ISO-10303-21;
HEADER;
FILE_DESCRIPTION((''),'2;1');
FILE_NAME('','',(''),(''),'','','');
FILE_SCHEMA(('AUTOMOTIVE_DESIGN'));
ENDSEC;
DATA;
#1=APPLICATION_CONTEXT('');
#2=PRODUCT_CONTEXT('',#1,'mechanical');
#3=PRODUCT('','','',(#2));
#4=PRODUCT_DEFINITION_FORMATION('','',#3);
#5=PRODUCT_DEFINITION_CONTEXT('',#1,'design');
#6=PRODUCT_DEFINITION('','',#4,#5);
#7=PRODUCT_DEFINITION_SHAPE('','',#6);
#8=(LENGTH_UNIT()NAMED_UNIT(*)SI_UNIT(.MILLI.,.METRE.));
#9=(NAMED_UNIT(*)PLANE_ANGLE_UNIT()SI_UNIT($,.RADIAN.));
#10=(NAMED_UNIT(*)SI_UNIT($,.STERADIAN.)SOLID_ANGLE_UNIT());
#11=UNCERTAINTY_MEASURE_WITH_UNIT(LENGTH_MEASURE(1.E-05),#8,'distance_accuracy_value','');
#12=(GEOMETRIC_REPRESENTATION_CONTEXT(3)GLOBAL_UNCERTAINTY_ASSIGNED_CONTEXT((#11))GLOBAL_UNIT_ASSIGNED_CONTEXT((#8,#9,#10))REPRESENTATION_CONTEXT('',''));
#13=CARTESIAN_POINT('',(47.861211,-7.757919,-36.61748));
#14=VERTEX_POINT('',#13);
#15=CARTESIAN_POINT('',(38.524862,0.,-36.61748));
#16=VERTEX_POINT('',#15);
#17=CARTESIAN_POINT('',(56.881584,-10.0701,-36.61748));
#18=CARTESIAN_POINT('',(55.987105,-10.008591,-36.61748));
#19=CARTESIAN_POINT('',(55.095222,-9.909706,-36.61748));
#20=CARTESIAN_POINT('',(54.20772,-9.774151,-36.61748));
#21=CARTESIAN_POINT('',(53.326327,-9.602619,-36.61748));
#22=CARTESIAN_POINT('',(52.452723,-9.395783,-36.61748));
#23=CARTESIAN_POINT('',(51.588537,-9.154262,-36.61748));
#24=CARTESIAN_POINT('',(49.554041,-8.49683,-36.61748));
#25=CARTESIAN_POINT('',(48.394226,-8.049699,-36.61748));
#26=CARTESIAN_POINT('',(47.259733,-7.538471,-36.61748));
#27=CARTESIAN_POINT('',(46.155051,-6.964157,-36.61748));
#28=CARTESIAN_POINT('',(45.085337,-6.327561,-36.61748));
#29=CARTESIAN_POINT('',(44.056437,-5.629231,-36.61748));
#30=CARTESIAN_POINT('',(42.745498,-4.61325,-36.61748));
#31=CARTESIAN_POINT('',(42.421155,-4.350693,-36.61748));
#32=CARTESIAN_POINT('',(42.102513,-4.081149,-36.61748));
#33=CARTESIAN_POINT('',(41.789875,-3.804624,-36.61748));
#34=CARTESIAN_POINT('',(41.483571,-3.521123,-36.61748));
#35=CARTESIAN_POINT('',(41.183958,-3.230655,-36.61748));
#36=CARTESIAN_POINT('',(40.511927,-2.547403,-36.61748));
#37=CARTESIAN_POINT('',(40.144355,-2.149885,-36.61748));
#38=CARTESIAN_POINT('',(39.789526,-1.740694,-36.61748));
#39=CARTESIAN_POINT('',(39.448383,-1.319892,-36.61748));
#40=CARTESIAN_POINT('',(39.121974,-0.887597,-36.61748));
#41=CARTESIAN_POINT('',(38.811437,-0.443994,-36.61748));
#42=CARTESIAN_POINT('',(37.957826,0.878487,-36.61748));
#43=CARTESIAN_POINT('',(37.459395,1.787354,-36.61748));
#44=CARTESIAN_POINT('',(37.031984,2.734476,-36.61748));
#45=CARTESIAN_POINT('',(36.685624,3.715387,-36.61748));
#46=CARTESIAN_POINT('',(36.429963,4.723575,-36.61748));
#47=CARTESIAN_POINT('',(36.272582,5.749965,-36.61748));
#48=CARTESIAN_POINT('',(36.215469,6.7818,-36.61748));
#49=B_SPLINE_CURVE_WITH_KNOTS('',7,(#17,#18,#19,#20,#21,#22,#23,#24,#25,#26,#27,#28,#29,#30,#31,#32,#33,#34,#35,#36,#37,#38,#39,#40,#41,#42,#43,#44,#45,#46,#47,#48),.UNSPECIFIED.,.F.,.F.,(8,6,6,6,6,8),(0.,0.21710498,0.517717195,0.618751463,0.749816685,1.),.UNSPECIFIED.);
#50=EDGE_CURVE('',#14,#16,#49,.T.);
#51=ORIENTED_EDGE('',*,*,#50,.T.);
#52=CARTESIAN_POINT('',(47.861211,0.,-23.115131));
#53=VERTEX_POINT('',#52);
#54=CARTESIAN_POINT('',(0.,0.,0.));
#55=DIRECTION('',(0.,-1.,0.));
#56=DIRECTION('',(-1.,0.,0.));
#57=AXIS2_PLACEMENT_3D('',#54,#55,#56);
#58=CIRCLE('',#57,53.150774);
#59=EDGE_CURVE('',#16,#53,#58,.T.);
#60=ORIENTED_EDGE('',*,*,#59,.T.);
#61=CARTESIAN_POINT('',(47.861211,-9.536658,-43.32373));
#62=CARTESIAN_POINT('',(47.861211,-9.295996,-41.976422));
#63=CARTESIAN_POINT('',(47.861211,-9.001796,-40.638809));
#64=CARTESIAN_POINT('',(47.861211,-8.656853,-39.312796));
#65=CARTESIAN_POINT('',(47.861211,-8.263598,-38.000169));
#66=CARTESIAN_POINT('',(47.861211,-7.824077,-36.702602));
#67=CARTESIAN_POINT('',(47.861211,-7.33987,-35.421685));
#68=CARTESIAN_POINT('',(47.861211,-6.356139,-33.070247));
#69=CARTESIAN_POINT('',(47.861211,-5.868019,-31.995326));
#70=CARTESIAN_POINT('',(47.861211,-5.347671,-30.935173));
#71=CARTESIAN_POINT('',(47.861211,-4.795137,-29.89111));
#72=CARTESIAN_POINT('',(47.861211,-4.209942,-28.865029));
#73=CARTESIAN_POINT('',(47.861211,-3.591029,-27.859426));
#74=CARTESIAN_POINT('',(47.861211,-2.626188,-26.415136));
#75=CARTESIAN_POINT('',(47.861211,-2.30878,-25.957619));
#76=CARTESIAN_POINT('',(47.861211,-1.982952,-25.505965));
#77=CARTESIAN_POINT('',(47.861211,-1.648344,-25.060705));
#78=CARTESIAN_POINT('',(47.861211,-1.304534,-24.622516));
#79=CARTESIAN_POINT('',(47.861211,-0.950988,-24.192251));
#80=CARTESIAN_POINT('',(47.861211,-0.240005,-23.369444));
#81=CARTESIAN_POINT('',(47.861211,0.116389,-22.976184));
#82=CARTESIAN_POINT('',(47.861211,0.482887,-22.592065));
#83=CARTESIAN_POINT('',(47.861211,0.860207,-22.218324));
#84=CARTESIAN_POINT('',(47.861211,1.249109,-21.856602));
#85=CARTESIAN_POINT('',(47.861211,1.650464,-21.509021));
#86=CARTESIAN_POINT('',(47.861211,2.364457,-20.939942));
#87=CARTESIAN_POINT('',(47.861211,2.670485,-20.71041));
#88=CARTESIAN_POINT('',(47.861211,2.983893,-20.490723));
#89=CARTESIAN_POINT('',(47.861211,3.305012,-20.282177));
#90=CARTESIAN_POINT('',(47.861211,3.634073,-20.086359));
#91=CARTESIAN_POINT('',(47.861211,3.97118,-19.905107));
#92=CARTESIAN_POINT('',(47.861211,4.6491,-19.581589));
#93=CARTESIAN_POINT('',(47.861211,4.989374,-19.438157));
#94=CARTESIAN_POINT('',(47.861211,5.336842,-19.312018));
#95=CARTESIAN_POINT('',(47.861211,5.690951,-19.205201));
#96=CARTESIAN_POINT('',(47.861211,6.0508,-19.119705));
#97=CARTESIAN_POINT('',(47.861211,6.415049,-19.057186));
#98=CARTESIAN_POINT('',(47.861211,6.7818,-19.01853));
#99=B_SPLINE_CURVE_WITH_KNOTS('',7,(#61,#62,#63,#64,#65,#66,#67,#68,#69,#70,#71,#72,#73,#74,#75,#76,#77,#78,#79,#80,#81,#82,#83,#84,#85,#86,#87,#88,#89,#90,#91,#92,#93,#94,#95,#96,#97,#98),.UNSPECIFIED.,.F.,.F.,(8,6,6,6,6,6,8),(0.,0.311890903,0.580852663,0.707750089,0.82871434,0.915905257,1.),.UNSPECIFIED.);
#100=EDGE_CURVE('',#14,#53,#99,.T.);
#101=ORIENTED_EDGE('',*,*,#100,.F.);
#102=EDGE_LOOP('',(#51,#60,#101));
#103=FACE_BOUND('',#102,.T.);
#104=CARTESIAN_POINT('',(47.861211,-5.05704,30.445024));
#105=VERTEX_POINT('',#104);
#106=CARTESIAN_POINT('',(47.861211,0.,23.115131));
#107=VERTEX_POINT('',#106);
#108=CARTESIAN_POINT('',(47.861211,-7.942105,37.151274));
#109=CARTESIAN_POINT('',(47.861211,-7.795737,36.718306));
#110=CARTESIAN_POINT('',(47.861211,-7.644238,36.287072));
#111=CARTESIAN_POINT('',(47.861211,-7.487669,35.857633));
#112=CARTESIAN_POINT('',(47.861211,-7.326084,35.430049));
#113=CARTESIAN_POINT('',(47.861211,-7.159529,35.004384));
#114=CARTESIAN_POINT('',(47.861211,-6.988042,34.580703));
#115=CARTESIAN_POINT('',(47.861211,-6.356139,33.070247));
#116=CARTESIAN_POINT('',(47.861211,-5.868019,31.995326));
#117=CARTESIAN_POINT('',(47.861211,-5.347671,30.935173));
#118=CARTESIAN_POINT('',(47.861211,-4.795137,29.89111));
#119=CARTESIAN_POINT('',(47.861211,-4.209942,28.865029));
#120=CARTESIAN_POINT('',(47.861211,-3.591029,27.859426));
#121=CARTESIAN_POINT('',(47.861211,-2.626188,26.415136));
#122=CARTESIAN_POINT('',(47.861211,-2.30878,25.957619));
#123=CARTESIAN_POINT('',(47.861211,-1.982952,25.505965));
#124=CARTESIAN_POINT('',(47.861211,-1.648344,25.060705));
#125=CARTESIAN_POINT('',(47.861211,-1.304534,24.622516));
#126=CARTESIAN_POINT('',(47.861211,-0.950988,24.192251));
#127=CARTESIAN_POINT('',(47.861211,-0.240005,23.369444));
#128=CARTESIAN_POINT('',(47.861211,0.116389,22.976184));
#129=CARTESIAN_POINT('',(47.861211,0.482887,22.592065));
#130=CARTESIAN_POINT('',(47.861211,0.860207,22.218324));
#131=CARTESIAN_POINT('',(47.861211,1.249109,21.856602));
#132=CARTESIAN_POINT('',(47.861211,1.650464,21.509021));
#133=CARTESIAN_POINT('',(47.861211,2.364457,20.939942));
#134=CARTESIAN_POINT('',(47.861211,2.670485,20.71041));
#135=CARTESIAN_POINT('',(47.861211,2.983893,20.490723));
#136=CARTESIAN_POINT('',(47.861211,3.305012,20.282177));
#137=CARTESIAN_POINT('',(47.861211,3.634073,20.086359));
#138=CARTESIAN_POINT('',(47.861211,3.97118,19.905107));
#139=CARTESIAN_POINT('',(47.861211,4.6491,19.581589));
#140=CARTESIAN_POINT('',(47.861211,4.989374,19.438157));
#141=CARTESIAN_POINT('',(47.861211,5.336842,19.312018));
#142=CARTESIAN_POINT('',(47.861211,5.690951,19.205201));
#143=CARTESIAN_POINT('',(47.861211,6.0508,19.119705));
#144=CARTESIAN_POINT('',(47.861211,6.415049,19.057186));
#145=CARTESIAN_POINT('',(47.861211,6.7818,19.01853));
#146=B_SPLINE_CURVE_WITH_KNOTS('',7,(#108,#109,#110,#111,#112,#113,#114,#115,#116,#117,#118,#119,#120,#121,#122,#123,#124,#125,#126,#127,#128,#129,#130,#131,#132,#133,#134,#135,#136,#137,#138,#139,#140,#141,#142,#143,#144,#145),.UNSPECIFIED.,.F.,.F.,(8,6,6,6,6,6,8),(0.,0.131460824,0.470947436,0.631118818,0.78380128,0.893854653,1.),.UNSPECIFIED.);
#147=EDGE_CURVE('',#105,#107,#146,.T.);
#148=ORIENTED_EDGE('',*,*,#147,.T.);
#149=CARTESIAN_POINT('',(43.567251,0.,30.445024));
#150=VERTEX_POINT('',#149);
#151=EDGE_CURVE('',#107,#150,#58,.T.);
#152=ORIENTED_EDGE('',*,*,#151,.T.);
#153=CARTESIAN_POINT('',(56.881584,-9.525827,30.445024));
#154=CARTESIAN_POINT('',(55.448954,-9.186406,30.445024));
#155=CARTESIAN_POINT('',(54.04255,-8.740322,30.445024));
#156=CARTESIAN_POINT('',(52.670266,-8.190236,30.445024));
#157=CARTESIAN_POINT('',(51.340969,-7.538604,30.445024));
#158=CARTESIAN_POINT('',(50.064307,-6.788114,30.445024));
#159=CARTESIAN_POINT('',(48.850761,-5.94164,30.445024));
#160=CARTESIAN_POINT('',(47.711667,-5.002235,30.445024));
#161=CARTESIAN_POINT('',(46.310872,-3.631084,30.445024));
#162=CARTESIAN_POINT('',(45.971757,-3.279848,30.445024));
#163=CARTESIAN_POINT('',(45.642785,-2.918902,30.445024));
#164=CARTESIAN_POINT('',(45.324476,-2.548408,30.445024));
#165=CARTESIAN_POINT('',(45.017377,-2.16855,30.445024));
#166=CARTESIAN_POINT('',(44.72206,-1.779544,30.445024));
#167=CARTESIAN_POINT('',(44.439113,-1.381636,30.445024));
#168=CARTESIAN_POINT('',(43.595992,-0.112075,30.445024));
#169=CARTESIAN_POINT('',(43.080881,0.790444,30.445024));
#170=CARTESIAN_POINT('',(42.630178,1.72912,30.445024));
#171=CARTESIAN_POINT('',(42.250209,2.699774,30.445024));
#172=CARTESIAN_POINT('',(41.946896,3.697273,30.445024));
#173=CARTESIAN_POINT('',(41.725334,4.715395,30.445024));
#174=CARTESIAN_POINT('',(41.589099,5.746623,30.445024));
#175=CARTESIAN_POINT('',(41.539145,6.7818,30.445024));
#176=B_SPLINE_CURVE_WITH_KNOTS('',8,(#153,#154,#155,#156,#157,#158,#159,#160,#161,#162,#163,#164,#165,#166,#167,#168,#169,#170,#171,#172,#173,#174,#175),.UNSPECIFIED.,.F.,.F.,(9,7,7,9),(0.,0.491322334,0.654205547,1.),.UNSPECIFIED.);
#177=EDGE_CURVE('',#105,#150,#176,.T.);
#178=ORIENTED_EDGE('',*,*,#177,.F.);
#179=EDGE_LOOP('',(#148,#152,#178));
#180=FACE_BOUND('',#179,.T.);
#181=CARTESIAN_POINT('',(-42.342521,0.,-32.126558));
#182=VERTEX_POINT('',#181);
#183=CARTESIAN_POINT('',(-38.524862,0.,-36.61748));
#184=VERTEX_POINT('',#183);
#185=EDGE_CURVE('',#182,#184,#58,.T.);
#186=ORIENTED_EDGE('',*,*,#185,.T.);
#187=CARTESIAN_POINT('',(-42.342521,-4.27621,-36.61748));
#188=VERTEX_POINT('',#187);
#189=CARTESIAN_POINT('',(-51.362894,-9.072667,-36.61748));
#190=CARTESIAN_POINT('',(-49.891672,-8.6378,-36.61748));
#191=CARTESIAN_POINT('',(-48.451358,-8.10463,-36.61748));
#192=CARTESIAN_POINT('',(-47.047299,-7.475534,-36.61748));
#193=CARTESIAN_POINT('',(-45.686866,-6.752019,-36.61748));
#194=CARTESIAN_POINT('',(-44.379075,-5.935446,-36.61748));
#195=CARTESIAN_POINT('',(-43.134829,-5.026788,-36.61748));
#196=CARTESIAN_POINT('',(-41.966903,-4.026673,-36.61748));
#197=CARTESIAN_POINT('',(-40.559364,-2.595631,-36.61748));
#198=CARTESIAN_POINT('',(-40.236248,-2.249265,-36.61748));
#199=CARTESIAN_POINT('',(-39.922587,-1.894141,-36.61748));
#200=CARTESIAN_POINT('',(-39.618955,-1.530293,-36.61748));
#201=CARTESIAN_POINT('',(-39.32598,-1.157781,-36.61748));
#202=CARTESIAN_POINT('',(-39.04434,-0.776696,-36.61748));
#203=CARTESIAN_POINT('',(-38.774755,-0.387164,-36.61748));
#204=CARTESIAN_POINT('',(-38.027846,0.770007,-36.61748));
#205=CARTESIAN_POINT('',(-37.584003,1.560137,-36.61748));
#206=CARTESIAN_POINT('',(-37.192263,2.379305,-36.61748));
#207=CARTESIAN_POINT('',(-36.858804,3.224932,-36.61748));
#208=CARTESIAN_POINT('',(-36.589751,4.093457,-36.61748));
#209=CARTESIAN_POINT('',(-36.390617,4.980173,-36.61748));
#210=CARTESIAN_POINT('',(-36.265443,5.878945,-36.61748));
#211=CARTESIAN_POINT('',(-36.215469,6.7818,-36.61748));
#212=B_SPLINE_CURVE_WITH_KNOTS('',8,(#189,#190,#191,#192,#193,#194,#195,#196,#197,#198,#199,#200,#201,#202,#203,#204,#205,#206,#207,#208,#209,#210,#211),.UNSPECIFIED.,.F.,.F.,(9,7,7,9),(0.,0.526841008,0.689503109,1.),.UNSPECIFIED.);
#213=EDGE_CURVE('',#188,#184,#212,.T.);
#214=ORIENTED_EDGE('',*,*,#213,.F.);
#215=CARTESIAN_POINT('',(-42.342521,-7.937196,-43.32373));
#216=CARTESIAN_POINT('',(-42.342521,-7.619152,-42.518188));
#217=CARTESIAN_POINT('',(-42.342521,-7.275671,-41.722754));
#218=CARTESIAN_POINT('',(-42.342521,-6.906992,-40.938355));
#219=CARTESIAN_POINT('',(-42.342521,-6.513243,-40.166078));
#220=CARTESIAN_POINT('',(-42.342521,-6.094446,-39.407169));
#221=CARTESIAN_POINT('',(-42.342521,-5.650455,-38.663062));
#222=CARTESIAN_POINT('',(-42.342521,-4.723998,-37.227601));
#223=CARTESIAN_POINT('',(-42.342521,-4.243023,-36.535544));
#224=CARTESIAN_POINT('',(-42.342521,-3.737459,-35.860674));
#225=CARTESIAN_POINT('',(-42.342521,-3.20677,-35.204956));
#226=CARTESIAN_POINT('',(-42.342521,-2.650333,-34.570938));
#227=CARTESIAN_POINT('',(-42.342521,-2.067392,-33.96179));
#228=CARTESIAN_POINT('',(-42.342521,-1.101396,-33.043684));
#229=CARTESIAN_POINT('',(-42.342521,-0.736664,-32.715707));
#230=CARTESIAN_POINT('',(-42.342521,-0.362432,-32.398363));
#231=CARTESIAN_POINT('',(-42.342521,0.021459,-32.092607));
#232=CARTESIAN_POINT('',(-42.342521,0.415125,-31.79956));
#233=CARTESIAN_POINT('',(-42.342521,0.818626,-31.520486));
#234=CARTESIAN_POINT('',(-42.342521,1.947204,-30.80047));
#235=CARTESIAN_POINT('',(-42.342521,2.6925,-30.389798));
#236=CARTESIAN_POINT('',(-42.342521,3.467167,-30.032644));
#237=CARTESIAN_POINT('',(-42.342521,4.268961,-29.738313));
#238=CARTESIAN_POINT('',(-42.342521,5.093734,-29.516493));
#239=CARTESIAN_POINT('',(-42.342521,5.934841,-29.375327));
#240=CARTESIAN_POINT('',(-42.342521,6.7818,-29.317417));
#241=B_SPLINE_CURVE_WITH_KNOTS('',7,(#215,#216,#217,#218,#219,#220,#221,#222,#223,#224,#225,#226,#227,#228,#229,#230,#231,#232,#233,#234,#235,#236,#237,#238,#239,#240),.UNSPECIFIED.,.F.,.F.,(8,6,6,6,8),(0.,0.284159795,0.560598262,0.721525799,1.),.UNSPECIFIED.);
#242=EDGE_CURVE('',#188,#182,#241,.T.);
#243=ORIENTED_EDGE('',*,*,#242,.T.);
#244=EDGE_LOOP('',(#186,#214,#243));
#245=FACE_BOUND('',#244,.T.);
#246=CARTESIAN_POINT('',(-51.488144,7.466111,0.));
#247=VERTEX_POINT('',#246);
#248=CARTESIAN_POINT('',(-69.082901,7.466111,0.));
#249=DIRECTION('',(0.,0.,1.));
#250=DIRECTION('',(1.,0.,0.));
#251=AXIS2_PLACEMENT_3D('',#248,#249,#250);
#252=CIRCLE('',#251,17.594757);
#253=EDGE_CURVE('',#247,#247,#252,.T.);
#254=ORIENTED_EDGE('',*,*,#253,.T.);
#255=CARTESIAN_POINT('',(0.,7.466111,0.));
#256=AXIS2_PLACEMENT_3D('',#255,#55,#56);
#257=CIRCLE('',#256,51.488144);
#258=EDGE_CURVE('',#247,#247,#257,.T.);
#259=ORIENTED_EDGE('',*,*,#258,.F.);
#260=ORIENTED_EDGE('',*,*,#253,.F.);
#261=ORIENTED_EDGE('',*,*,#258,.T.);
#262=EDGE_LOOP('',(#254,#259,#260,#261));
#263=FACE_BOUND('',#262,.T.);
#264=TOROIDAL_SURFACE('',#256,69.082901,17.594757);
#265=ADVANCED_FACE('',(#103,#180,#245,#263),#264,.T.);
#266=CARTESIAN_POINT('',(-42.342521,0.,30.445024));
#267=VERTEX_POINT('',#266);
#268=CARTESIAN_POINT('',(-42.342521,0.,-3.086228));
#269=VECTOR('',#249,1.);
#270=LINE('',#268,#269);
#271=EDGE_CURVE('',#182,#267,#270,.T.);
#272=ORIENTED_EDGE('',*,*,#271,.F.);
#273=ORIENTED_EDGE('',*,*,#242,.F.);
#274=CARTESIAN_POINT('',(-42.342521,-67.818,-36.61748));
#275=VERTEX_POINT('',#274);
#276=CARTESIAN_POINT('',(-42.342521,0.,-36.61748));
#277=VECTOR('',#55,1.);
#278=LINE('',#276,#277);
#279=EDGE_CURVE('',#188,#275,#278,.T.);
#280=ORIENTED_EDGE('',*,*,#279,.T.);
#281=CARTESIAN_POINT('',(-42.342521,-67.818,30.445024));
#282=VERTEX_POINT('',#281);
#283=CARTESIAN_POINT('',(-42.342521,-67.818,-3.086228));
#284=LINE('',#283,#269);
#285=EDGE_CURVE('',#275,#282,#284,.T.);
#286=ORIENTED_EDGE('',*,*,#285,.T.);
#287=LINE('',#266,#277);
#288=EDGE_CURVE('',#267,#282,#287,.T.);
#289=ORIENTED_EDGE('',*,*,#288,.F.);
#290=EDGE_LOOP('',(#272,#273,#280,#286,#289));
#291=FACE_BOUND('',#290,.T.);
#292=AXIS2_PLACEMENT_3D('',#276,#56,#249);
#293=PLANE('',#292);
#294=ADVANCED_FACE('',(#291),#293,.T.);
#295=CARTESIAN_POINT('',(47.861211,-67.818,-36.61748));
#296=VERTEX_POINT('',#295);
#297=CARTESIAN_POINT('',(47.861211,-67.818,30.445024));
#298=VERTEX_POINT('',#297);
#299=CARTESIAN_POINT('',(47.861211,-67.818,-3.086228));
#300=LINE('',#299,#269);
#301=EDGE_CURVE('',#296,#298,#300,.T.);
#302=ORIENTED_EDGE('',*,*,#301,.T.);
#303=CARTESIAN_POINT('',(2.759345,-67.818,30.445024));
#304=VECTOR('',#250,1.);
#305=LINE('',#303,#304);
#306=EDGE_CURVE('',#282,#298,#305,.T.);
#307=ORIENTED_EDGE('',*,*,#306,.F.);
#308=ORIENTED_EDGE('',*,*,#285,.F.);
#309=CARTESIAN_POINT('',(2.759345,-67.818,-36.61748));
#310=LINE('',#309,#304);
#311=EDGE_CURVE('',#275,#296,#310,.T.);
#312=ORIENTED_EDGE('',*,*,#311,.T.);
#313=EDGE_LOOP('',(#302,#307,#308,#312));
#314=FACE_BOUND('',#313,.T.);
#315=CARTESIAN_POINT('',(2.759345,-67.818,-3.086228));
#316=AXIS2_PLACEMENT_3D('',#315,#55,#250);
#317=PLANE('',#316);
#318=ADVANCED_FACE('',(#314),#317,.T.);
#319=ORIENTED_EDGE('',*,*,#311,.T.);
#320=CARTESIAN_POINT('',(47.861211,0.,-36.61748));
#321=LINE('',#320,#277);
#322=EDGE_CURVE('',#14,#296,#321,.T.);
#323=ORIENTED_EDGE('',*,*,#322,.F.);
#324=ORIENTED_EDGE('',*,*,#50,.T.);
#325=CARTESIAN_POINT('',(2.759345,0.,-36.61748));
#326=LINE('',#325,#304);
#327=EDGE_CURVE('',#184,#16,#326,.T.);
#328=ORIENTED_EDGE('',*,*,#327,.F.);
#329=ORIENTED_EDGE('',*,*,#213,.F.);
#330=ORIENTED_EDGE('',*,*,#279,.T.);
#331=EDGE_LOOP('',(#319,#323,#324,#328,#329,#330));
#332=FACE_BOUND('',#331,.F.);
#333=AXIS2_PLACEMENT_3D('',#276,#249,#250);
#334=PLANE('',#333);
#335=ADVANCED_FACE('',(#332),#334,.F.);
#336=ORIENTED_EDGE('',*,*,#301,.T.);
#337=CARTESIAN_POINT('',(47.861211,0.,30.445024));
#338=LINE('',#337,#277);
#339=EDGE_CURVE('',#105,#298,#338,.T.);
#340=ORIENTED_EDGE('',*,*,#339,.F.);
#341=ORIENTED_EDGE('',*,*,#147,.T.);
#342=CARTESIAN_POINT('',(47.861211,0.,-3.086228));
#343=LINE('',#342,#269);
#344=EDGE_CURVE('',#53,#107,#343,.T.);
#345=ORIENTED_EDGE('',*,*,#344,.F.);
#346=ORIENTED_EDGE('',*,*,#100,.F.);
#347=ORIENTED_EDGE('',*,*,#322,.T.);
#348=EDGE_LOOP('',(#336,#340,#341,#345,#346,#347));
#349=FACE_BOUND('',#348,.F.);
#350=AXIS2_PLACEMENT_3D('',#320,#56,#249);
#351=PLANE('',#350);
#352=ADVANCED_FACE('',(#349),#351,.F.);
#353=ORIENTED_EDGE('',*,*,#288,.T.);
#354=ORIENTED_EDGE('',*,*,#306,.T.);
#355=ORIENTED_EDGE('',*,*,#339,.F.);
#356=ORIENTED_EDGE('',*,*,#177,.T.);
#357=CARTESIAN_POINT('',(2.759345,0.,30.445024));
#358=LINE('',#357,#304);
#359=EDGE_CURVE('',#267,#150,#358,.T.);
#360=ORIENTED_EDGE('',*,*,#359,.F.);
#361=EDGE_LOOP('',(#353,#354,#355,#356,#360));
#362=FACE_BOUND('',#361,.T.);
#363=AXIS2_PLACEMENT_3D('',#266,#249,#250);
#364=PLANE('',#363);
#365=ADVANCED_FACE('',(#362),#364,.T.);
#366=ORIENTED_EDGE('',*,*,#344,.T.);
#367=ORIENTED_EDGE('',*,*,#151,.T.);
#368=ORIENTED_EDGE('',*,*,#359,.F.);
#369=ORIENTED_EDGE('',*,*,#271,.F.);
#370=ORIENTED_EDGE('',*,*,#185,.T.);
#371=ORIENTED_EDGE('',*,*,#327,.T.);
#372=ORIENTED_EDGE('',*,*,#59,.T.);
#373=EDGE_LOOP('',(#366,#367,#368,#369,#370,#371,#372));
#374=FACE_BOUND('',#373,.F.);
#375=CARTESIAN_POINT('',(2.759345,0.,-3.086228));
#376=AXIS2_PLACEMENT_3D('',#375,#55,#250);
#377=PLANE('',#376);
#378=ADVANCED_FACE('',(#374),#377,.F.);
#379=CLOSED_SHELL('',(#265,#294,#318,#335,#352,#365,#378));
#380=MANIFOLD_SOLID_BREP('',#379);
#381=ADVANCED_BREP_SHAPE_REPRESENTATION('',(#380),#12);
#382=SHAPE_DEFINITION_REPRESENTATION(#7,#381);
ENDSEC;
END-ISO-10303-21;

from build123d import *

# Parameters (mm, degrees)
F0_W     = 90.203732
F0_H     = 67.062504
F1_DEPTH = 67.818
F2_R     = 17.594757


with BuildPart() as f1:
    # F0 (on Front) → F1 (new body)
    with BuildSketch(Plane.XZ):
        with Locations((2.759345, -3.086228)):
            Rectangle(F0_W, F0_H)
    extrude(amount=F1_DEPTH)

    # F2 (on Top) → F4 (revolve)
    with BuildSketch(Plane.XY):
        with Locations((-69.082901, 7.466111)):
            Circle(F2_R)
    revolve(axis=Axis((0, -17.808218, 0), (0, -1, 0)))


solid = f1.part
